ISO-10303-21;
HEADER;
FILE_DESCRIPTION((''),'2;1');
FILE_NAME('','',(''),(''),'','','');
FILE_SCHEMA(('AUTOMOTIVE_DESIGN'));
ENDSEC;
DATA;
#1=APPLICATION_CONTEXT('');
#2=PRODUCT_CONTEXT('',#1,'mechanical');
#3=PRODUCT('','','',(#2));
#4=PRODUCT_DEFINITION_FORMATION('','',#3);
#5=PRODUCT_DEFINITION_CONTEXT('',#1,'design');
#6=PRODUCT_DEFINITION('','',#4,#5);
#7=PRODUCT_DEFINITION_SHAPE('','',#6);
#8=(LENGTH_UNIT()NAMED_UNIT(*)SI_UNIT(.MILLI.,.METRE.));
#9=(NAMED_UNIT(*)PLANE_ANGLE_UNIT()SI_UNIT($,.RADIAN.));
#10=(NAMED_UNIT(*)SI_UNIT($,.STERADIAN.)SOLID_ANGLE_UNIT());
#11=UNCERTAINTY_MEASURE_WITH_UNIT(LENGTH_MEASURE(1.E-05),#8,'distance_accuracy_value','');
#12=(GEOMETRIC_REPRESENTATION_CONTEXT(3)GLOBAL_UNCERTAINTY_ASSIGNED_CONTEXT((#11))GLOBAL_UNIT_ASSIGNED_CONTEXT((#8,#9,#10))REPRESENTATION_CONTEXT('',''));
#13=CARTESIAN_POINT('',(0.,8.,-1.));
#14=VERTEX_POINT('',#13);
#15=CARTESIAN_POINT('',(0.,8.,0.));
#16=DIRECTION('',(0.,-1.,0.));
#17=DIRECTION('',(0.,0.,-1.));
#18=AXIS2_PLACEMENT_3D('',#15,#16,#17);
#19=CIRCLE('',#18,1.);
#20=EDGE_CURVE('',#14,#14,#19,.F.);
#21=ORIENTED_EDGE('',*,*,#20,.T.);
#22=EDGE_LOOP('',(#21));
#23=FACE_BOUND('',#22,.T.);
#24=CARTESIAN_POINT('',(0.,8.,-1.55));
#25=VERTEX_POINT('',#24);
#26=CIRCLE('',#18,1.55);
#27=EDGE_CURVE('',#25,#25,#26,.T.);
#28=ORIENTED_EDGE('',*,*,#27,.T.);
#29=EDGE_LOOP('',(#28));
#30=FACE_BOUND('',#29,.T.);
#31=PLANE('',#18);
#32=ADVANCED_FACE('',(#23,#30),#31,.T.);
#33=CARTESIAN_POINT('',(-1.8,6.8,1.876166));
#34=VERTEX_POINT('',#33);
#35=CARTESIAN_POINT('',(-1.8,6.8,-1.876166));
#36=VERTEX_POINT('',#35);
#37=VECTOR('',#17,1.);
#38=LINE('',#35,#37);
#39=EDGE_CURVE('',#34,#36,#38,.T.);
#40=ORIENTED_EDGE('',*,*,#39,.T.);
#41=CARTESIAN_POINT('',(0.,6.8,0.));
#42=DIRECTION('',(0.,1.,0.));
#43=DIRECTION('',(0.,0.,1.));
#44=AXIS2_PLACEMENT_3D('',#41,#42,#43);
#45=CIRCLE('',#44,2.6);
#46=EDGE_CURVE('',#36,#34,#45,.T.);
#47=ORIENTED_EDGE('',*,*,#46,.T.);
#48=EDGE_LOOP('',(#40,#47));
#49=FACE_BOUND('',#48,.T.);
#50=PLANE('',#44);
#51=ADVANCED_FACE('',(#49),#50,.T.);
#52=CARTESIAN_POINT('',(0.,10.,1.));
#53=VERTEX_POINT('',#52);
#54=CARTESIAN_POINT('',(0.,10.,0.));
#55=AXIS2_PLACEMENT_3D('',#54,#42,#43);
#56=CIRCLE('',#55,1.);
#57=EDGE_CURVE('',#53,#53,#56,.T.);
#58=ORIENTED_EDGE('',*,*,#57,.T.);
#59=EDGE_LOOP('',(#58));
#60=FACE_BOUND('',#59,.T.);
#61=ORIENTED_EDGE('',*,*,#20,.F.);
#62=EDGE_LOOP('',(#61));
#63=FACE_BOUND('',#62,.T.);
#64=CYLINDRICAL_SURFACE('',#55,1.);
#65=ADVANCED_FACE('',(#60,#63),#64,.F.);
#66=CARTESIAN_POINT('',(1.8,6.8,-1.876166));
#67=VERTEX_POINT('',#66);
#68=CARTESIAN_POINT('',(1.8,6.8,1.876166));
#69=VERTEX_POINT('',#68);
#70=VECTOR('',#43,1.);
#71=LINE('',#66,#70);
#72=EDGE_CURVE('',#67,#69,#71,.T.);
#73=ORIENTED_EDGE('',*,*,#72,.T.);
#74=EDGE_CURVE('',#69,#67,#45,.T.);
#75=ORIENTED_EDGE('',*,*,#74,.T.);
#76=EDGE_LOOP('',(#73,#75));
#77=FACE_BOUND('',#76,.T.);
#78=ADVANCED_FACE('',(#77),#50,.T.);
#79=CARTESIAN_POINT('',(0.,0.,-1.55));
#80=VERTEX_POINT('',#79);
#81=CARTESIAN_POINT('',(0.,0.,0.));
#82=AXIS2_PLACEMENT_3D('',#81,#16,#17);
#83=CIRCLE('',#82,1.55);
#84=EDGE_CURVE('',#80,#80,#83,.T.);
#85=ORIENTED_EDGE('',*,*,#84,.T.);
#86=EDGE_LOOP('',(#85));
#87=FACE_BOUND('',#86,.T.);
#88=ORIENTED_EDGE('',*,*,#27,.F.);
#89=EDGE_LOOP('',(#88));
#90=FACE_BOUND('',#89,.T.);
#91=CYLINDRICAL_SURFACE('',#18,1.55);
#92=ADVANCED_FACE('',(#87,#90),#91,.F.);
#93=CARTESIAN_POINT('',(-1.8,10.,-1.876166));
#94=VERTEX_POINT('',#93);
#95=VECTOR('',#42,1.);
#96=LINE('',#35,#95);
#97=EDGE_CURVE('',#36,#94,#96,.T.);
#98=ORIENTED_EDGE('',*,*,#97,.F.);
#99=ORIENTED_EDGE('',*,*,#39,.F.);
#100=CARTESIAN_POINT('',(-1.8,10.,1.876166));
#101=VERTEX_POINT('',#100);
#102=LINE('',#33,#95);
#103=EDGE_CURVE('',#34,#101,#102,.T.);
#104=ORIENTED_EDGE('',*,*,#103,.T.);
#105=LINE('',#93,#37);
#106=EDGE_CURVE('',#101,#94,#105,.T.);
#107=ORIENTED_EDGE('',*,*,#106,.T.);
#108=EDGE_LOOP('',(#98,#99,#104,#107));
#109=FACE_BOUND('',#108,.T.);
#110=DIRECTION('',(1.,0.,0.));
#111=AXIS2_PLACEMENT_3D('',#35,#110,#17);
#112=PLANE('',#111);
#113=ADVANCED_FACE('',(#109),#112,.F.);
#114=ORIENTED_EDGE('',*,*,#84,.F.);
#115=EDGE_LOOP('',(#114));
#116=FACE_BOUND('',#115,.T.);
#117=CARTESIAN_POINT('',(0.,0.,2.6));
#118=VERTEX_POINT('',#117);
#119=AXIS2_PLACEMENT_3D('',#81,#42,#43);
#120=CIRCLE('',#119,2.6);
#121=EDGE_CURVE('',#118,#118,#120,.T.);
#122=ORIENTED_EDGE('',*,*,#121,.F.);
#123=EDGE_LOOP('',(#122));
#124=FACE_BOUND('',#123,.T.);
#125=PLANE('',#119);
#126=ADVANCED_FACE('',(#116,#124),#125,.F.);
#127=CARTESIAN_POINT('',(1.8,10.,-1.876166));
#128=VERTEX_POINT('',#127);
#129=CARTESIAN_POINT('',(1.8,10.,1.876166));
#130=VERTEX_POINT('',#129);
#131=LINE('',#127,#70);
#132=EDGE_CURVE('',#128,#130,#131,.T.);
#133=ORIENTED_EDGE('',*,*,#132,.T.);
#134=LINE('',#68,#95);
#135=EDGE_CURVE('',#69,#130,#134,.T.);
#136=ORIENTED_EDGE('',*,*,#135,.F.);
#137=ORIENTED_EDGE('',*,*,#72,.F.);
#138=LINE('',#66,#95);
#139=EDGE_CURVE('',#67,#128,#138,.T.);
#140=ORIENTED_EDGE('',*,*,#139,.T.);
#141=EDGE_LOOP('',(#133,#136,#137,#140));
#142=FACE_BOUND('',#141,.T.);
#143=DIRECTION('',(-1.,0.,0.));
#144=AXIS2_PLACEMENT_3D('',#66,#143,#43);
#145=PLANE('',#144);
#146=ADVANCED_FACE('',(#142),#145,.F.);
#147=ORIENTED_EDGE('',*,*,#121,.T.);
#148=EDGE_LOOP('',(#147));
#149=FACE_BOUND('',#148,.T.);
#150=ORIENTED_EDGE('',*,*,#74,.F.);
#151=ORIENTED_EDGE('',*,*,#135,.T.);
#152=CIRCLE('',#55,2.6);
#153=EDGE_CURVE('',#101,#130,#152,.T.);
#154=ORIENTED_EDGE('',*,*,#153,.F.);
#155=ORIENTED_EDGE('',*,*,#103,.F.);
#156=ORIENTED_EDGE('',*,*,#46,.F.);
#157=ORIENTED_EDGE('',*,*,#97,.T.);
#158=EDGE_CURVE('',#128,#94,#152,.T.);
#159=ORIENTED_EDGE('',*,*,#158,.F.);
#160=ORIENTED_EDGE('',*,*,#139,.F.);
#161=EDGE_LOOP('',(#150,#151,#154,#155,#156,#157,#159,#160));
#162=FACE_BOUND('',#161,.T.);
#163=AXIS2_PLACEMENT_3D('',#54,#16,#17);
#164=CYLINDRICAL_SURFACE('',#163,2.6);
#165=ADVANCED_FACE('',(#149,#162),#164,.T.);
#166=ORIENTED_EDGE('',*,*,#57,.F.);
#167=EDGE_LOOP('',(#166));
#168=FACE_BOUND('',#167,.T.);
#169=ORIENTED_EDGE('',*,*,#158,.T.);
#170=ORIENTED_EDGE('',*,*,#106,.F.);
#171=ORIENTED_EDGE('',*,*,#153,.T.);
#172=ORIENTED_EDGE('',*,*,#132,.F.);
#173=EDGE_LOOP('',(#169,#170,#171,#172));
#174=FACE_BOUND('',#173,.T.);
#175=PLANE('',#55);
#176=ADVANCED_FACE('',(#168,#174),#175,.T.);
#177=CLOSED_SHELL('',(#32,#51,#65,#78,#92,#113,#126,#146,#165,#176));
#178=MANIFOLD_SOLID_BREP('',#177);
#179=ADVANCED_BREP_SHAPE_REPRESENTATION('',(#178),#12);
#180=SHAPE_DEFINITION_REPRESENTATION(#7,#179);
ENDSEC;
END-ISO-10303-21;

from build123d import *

# Parameters (mm, degrees)
SKETCH1_R                 = 2.6
BOSS_EXTRUDE1_DEPTH       = 10
CUT_EXTRUDE1_START        = -3.2
CUT_EXTRUDE1_DEPTH        = 3.2
F_1_0MM_DOWEL_HOLE1_D     = 2
F_1_0MM_DOWEL_HOLE1_DEPTH = 3.399139381
F_1_0MM_DOWEL_HOLE1_TIP   = 0.600860619
SKETCH5_R                 = 1.55
CUT_EXTRUDE2_DEPTH        = 8


with BuildPart() as part:
    # Sketch1 → Boss-Extrude1 (new body)
    with BuildSketch(Plane(origin=(0, 0, 0), x_dir=(1, 0, 0), z_dir=(0, 1, 0))):
        Circle(SKETCH1_R)
    extrude(amount=BOSS_EXTRUDE1_DEPTH)

    # Sketch2 → Cut-Extrude1 (cut)
    with BuildSketch(Plane(origin=(0, 10, 0), x_dir=(1, 0, 0), z_dir=(0, 1, 0)).offset(CUT_EXTRUDE1_START)):
        with BuildLine():
            Line((-1.8, 1.876166304), (-1.8, -1.876166304))
            ThreePointArc((-1.8, -1.876166304), (-2.6, 0), (-1.8, 1.876166304))
        make_face()
        with BuildLine():
            Line((1.8, 1.876166304), (1.8, -1.876166304))
            ThreePointArc((1.8, -1.876166304), (2.6, 0), (1.8, 1.876166304))
        make_face()
    extrude(amount=CUT_EXTRUDE1_DEPTH, mode=Mode.SUBTRACT)

    # Ø1.0mm Dowel Hole1
    with Locations(Plane(origin=(0, 10, 0), x_dir=(1, 0, 0), z_dir=(0, 1, 0))):
        with Locations((0, 0)):
            Hole(F_1_0MM_DOWEL_HOLE1_D / 2, depth=F_1_0MM_DOWEL_HOLE1_DEPTH)
            with Locations((0, 0, -(F_1_0MM_DOWEL_HOLE1_DEPTH + F_1_0MM_DOWEL_HOLE1_TIP / 2))):  # 118° drill point
                Cone(0, F_1_0MM_DOWEL_HOLE1_D / 2, F_1_0MM_DOWEL_HOLE1_TIP, mode=Mode.SUBTRACT)

    # Sketch5 → Cut-Extrude2 (cut)
    with BuildSketch(Plane.XZ):
        Circle(SKETCH5_R)
    extrude(amount=-CUT_EXTRUDE2_DEPTH, mode=Mode.SUBTRACT)


solid = part.part
